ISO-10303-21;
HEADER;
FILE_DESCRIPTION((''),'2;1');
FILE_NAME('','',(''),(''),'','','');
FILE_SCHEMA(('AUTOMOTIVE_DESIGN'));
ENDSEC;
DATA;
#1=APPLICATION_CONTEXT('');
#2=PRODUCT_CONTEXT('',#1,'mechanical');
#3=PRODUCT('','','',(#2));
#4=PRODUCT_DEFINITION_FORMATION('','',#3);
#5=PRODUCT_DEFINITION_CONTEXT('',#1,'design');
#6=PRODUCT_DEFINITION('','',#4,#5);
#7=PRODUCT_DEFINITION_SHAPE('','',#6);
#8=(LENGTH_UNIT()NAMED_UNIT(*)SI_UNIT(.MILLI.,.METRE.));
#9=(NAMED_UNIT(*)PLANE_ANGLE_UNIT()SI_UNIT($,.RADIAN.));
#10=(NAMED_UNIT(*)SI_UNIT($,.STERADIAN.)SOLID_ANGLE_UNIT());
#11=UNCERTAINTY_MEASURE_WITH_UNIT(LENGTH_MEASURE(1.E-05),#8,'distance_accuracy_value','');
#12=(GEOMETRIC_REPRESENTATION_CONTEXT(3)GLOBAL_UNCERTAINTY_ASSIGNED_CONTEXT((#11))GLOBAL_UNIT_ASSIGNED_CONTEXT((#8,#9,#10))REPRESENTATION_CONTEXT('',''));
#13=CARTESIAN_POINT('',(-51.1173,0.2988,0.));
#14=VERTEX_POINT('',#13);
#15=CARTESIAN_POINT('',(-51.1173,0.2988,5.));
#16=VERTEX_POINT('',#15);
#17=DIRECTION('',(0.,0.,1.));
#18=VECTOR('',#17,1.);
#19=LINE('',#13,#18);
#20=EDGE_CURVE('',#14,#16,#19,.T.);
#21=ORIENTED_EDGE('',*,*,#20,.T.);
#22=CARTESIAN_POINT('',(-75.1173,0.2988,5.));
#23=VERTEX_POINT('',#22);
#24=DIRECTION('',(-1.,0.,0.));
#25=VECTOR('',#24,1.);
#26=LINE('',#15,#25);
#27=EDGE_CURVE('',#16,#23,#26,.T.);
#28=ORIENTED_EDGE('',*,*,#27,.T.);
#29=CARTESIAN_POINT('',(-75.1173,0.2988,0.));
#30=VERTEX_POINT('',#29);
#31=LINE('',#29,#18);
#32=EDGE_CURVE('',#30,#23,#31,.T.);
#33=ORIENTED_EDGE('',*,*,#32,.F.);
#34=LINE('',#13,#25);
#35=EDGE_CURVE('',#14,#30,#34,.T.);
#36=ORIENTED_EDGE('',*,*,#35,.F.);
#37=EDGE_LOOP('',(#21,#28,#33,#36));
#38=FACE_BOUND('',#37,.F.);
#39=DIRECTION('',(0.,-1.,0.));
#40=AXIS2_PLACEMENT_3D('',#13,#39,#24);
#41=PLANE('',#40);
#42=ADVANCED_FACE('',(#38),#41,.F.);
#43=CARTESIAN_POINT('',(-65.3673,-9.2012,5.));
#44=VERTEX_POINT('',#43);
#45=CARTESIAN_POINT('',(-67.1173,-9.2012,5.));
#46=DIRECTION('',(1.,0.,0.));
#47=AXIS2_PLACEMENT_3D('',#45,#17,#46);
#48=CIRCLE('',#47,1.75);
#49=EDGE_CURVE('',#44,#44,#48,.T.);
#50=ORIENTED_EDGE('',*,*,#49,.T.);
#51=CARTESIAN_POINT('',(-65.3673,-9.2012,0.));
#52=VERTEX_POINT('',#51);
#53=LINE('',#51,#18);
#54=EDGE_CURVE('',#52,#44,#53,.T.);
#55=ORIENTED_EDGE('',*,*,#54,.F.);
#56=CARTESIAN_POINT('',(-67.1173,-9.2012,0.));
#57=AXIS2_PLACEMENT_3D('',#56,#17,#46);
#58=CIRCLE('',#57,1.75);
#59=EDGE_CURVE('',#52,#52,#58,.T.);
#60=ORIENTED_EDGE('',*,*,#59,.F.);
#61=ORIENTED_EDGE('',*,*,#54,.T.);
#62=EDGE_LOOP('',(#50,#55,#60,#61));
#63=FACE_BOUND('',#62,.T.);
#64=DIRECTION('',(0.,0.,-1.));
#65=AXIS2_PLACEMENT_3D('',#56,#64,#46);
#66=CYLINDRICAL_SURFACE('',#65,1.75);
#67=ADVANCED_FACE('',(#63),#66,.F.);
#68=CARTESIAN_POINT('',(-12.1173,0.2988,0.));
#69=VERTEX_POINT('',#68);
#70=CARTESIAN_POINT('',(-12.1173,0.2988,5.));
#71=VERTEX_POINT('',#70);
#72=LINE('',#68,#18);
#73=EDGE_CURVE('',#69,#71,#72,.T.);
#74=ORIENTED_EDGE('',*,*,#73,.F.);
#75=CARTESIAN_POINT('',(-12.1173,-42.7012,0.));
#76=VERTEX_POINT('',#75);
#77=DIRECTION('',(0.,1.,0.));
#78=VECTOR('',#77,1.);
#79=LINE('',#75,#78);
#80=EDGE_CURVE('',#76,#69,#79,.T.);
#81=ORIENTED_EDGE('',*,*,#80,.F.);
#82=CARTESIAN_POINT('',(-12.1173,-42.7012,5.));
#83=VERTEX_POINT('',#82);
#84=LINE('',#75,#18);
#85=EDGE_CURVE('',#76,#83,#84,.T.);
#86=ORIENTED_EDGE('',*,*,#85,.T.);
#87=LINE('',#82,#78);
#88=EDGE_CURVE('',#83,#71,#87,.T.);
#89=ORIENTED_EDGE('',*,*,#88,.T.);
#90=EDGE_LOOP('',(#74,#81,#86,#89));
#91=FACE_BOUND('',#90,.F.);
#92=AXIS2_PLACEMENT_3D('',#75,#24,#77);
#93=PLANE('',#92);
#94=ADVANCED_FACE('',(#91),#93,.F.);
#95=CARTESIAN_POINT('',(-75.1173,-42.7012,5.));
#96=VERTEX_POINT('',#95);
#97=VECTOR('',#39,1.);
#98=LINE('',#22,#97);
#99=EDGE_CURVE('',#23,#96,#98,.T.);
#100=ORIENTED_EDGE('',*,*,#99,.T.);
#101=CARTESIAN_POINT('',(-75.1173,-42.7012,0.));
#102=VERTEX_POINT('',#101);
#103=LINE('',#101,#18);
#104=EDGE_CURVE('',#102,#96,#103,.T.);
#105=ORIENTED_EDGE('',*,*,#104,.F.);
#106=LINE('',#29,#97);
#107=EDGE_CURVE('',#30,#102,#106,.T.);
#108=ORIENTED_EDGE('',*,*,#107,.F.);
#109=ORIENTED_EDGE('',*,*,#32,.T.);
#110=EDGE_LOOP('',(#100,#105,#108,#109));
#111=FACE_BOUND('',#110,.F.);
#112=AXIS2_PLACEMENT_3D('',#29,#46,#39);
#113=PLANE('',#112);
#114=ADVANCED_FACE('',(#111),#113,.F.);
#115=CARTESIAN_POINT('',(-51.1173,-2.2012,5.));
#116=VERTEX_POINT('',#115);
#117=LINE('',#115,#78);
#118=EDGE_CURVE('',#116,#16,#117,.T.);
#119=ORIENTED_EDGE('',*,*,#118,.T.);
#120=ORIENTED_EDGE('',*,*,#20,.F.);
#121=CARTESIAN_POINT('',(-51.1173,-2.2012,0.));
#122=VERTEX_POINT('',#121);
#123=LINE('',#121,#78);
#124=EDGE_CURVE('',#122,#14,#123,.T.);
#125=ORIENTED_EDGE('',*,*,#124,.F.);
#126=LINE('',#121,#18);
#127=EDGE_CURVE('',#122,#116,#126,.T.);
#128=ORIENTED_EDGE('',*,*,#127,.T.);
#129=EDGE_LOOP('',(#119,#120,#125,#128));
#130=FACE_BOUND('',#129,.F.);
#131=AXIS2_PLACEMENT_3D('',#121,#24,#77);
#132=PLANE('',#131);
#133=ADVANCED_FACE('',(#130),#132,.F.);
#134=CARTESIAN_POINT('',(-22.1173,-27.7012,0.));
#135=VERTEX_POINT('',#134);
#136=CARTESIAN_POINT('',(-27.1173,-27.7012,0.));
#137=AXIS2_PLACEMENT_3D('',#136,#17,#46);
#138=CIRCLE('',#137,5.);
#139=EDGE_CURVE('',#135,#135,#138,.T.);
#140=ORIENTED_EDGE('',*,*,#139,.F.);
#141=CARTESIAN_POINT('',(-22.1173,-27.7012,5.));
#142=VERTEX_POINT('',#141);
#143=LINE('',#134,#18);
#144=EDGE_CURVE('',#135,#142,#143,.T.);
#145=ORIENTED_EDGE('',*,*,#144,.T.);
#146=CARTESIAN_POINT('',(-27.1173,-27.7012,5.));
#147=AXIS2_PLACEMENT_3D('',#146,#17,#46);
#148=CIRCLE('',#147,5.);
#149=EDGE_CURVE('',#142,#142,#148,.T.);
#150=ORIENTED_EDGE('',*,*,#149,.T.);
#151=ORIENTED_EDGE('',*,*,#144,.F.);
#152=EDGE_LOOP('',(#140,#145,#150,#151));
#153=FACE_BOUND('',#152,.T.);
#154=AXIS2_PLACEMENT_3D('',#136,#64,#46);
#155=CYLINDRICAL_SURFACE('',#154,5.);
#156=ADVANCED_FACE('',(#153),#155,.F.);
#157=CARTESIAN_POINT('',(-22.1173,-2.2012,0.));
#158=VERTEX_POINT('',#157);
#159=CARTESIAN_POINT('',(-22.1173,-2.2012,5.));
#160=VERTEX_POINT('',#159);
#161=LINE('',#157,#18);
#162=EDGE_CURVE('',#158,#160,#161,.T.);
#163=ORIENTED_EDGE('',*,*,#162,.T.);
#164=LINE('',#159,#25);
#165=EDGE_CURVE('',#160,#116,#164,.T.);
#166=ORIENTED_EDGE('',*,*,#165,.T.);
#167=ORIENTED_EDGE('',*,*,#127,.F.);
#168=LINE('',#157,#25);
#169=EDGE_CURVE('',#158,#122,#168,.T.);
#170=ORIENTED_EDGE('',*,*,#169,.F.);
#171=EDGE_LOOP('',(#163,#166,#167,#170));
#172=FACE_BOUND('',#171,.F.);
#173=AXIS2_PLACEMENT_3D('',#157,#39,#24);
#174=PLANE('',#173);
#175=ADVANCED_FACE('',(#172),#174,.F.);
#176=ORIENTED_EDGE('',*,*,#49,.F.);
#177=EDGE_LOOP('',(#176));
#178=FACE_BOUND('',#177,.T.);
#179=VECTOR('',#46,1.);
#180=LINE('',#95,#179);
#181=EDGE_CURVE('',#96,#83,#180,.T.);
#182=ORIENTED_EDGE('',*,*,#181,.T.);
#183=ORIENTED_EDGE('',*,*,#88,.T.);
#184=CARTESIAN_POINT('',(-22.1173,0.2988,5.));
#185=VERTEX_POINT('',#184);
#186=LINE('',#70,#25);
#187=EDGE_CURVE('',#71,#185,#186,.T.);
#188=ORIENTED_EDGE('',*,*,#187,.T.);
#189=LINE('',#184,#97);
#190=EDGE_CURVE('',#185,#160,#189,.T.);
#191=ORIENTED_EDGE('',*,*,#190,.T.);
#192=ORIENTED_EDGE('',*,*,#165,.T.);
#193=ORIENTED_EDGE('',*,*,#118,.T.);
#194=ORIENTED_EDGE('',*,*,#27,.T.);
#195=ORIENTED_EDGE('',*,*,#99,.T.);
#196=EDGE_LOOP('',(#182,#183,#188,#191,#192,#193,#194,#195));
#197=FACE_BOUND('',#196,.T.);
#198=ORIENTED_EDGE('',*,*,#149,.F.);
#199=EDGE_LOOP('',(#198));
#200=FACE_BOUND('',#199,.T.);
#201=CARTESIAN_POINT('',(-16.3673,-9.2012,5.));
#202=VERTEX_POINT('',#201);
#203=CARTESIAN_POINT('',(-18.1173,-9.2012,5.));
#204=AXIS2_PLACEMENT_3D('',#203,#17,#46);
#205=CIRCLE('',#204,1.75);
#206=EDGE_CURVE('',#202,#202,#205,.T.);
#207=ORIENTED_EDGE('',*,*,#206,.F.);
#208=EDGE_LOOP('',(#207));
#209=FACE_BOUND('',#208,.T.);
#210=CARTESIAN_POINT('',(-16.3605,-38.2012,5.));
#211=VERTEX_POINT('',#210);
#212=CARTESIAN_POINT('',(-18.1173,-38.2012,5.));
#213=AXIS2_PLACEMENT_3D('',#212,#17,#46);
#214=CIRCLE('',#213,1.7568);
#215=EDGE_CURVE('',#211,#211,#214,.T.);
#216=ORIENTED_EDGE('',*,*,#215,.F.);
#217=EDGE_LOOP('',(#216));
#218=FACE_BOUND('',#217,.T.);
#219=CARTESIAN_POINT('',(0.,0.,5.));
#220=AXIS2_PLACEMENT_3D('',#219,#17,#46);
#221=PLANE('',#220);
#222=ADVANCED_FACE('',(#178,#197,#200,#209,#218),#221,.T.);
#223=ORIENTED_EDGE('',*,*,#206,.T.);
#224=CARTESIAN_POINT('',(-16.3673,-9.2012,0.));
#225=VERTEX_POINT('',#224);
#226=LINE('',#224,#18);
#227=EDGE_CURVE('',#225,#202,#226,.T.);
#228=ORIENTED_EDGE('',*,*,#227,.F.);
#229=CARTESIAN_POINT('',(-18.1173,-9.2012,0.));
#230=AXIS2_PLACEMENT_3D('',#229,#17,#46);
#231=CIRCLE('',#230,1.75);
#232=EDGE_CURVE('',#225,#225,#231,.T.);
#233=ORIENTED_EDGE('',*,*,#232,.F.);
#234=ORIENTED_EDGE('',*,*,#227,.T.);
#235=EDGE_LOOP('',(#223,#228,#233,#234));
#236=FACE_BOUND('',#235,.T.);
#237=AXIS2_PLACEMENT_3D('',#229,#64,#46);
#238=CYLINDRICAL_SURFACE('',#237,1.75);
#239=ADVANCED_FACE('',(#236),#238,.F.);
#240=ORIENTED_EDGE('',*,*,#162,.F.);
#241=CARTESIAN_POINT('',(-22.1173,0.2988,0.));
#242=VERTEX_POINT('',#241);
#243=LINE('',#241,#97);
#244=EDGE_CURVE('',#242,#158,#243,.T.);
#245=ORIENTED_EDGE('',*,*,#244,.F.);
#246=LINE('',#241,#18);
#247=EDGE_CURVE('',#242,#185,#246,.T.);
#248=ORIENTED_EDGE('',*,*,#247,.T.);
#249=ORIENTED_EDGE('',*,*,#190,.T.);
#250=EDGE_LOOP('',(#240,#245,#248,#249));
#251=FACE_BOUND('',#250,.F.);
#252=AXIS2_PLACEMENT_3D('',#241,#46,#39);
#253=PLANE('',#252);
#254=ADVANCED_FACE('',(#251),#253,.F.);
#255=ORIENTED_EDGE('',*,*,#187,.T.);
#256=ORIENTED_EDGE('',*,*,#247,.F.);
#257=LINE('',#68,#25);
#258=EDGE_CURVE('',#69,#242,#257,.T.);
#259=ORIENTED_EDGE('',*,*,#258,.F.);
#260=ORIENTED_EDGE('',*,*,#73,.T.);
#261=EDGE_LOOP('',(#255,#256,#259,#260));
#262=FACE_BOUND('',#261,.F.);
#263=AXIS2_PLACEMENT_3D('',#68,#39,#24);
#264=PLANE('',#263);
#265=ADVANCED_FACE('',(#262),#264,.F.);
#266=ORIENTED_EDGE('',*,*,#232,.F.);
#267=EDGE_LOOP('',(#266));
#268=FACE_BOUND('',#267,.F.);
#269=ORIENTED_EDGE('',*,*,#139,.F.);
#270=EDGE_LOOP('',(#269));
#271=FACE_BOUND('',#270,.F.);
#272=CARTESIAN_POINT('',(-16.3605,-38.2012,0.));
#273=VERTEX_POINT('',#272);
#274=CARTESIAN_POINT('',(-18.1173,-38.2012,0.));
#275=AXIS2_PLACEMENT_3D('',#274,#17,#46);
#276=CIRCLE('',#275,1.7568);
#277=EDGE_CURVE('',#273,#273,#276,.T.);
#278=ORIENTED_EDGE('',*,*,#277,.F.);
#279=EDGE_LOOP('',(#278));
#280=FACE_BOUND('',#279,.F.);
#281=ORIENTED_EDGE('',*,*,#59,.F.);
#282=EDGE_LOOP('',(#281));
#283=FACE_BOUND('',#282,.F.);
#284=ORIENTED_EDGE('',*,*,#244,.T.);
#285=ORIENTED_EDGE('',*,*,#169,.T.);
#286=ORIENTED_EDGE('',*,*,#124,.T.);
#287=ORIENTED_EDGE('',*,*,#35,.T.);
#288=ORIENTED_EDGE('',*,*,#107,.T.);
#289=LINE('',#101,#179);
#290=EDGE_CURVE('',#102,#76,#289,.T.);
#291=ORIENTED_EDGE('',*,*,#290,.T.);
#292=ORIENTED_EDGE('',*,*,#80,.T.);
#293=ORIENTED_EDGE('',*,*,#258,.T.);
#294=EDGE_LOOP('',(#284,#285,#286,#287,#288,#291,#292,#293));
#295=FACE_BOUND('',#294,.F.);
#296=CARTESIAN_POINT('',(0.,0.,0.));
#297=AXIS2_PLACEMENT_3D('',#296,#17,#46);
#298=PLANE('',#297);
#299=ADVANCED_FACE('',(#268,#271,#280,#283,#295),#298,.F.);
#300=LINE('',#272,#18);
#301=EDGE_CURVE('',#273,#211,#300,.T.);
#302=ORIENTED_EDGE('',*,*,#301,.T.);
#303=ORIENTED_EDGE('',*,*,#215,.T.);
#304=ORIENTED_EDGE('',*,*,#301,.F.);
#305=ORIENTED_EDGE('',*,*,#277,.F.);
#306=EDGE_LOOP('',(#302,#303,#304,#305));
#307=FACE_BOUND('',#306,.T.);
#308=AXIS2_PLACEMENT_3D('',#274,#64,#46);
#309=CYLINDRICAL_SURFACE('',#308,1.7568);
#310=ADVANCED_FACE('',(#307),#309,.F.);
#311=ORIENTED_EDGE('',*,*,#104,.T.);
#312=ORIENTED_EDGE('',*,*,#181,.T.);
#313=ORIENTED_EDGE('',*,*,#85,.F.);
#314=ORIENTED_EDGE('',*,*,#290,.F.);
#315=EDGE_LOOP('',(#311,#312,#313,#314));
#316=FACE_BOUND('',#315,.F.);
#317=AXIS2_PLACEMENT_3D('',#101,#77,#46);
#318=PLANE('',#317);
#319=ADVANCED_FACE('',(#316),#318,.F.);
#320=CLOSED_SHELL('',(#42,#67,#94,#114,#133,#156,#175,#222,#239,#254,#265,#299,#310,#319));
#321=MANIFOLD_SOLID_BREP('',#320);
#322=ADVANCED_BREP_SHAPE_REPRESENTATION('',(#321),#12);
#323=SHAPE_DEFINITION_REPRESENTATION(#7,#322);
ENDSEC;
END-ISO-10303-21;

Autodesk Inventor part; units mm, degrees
ref_plane "YZ Plane" through (0, 0, 0) normal (1, 0, 0) x (0, 1, 0)
ref_plane "XZ Plane" through (0, 0, 0) normal (0, 1, 0) x (-1, 0, 0)
ref_plane "XY Plane" through (0, 0, 0) normal (0, 0, 1) x (1, 0, 0)
sketch "Boceto1" plane through (0, 0, 0) normal (0, 0, 1) x (1, 0, 0)
  line L0 (-12.1173, 0.2988) -> (-22.1173, 0.2988)
  line L1 (-22.1173, 0.2988) -> (-22.1173, -2.2012)
  line L2 (-22.1173, -2.2012) -> (-51.1173, -2.2012)
  line L3 (-51.1173, -2.2012) -> (-51.1173, 0.2988)
  line L4 (-51.1173, 0.2988) -> (-75.1173, 0.2988)
  line L5 (-75.1173, 0.2988) -> (-75.1173, -42.7012)
  line L6 (-75.1173, -42.7012) -> (-12.1173, -42.7012)
  line L7 (-12.1173, -42.7012) -> (-12.1173, 0.2988)
  circle A0 centre (-18.1173, -9.2012) radius 1.75
  circle A1 centre (-67.1173, -9.2012) radius 1.75
  circle A2 centre (-18.1173, -38.2012) radius 1.7568
  circle A3 centre (-27.1173, -27.7012) radius 5
  point P0 (0, 0)
extrude "Extrusión1" add sketch "Boceto1" along normal blind 5
properties part number "carro x lado motor pieza 2parte 2-2"
